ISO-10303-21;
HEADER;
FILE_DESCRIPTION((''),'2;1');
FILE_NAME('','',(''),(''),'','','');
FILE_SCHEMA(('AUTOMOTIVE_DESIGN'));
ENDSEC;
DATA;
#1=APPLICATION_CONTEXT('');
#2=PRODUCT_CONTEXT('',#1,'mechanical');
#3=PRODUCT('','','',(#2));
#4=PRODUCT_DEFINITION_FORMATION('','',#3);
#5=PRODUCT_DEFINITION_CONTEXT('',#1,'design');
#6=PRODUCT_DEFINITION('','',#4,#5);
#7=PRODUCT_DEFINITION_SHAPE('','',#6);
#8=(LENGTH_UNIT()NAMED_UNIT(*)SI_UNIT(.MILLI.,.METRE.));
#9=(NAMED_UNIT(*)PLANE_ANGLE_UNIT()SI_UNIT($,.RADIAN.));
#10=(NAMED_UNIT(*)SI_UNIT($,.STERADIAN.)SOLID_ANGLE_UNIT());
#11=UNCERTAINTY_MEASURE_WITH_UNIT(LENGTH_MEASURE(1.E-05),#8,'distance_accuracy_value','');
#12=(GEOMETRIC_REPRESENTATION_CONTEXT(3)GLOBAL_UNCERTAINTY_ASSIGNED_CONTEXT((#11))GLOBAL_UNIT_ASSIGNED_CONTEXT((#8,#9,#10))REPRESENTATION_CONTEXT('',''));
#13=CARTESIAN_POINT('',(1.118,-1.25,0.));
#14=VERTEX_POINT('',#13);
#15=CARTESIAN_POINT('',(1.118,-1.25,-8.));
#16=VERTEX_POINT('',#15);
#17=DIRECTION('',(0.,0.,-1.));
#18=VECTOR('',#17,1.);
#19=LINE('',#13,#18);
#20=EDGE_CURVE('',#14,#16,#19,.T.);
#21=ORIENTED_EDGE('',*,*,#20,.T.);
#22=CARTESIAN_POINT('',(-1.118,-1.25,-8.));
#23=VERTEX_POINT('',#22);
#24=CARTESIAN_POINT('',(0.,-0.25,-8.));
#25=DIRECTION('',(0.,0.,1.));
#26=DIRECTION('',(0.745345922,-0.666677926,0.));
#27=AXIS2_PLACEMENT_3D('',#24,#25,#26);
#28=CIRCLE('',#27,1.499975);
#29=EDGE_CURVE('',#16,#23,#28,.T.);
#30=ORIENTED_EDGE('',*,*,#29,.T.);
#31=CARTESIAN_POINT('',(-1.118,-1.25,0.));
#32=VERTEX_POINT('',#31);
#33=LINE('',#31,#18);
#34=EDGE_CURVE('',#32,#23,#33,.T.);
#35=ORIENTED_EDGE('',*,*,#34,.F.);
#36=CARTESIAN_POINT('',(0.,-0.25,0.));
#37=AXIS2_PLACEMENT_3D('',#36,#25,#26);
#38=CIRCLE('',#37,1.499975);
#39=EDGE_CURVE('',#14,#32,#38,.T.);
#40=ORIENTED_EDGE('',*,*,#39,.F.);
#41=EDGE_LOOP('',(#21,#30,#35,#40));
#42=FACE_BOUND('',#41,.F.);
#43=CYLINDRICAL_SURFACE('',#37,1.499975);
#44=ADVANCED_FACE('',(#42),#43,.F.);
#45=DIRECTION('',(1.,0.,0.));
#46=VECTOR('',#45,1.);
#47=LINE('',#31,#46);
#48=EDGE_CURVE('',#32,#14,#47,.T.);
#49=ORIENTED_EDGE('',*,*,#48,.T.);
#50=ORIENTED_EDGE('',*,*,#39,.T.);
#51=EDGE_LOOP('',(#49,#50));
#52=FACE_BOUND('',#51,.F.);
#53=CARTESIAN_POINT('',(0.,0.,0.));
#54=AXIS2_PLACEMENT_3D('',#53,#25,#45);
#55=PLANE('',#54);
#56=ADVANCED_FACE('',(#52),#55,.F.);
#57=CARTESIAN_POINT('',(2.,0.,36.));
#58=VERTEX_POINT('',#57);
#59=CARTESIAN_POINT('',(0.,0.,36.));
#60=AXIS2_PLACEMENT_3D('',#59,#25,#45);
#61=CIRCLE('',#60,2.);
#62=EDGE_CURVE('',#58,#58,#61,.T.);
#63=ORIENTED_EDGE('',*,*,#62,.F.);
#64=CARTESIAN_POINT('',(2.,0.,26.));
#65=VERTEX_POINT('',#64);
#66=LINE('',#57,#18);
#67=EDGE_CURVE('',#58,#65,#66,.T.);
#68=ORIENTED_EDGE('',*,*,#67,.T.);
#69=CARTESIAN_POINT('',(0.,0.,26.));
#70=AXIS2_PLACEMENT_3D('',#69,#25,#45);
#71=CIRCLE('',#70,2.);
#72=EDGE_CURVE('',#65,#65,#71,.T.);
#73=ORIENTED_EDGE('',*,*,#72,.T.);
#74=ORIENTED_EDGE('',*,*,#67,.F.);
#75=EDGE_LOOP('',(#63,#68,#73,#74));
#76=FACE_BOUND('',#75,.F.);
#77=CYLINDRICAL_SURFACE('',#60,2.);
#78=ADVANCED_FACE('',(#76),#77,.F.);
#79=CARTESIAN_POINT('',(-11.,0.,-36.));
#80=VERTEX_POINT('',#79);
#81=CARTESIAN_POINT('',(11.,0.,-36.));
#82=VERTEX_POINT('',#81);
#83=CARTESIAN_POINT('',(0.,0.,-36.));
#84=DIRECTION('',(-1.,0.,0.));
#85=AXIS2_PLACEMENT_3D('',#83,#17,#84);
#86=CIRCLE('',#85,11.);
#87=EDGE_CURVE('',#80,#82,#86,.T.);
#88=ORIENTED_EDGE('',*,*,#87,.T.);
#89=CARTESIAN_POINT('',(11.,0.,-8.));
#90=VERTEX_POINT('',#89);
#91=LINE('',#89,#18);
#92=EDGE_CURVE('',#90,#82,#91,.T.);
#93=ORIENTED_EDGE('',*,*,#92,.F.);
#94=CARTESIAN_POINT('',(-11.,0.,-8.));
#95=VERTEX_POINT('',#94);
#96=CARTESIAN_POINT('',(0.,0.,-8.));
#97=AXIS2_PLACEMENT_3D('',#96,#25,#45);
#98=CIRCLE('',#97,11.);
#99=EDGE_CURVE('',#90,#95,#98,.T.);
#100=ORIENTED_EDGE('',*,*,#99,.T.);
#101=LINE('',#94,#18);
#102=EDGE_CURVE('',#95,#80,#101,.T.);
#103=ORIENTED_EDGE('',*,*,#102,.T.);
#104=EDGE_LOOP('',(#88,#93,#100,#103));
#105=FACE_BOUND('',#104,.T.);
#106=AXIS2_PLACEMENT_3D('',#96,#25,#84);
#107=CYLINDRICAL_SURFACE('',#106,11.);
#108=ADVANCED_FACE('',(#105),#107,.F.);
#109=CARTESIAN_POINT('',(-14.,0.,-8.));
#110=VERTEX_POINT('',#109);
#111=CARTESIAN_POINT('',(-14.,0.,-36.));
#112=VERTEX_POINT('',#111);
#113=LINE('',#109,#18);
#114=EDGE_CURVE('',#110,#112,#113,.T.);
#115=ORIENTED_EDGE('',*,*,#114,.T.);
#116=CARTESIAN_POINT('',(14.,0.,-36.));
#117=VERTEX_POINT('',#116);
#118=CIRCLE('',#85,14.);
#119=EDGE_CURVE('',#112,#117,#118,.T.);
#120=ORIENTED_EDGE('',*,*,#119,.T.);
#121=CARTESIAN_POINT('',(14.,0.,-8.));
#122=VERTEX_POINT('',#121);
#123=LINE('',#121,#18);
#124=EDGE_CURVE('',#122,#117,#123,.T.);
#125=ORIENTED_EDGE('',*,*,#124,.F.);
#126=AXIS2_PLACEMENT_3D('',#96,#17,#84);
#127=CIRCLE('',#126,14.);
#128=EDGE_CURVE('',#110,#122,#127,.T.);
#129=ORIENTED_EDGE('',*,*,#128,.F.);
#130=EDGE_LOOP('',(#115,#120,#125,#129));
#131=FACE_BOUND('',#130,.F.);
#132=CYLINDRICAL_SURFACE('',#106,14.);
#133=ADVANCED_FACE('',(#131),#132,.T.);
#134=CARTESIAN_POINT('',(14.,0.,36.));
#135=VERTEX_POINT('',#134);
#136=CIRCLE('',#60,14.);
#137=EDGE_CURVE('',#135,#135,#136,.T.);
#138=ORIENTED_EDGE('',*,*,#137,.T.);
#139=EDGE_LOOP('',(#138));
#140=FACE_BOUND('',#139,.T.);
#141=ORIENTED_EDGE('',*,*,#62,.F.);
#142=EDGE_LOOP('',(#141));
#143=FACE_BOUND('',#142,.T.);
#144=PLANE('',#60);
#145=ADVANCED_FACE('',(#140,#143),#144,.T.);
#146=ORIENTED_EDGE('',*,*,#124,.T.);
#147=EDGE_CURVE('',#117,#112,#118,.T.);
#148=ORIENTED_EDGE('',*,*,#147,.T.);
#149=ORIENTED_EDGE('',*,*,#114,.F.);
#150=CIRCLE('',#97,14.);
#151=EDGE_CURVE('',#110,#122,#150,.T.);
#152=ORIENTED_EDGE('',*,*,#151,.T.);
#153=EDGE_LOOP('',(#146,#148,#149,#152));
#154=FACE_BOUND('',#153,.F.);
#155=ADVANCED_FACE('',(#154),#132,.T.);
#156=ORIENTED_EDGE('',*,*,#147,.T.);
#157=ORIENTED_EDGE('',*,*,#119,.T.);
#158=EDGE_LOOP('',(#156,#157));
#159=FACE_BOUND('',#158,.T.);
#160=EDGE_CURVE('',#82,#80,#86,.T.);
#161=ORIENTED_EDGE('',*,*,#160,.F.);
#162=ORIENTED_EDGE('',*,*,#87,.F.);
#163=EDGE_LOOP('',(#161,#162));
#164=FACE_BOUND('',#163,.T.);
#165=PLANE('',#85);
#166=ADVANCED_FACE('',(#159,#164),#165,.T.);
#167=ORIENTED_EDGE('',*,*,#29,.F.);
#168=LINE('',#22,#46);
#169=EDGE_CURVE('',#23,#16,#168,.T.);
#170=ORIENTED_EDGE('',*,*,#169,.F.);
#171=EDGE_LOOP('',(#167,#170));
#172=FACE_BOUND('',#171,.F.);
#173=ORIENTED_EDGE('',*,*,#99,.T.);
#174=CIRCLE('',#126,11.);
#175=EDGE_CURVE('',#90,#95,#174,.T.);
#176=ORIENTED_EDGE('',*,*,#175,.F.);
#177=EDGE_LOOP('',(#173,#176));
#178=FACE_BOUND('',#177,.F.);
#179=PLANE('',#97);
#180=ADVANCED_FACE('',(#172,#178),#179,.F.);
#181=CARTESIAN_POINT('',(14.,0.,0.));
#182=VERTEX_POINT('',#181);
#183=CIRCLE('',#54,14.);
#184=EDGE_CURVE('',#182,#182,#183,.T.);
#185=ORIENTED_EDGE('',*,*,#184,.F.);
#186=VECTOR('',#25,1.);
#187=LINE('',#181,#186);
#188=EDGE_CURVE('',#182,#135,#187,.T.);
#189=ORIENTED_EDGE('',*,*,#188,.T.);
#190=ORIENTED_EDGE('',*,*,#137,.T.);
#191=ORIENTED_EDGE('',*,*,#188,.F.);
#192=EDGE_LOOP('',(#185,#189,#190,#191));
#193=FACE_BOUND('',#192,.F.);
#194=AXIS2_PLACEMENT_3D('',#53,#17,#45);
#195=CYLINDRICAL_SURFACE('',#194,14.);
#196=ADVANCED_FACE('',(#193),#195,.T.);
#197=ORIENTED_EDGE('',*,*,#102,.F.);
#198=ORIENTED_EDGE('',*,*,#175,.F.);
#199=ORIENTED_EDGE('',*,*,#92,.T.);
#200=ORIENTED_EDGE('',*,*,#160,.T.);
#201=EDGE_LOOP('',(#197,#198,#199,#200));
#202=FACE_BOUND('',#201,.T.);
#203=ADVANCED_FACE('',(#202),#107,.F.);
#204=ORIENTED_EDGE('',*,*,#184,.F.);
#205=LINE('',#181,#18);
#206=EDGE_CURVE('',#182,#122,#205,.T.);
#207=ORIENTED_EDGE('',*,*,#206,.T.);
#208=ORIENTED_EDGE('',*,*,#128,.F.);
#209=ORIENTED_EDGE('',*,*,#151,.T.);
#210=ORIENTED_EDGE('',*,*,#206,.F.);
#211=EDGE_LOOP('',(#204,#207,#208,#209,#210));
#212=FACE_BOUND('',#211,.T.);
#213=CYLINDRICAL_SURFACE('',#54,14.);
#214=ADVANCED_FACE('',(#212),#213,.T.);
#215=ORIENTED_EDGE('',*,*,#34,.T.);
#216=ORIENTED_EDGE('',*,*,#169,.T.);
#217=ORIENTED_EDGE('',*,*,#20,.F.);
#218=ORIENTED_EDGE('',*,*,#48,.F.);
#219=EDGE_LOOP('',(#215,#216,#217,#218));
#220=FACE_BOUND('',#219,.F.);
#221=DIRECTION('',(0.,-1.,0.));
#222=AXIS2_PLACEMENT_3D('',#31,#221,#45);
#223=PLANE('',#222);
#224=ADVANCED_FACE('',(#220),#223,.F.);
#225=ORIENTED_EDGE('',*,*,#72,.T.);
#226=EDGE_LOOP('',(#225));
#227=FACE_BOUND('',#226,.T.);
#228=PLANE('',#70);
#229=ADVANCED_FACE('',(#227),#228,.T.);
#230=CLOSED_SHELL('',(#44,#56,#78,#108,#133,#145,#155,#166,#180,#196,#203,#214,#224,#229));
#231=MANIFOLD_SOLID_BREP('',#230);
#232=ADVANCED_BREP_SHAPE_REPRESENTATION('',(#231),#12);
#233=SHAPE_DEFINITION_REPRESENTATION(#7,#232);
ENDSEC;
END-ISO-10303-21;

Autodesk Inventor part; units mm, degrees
ref_plane "YZ Plane" through (0, 0, 0) normal (1, 0, 0) x (0, 1, 0)
ref_plane "XZ Plane" through (0, 0, 0) normal (0, 1, 0) x (-1, 0, 0)
ref_plane "XY Plane" through (0, 0, 0) normal (0, 0, 1) x (1, 0, 0)
sketch "Sketch1" plane through (0, 0, 0) normal (0, 0, 1) x (1, 0, 0)
  line L0 (-1.118, -1.25) -> (1.118, -1.25) projected
  arc A0 (1.118, -1.25) -> (-1.118, -1.25) centre (0, -0.25) ccw projected
  circle A1 centre (-0.0155, -0.3768) radius 13 projected
  line L1 (7.9845, 2.6232) -> (7.9845, -0.3768) projected
  arc A2 (3.9845, -7.3768) -> (7.9845, -3.3768) centre (3.9845, -3.3768) ccw projected
  line L2 (3.9845, -7.3768) -> (-4.0155, -7.3768) projected
  arc A3 (-8.0155, -3.3768) -> (-4.0155, -7.3768) centre (-4.0155, -3.3768) ccw projected
  line L3 (-8.0155, -3.3768) -> (-8.0155, 2.6232) projected
  arc A4 (-6.0155, 6.0873) -> (-8.0155, 2.6232) centre (-4.0155, 2.6232) ccw projected
  line L4 (-6.0155, 6.0873) -> (-6.0155, -0.3768) projected
  arc A5 (-6.0155, -0.3768) -> (-3.3321, -5.3768) centre (-0.0155, -0.3768) ccw projected
  line L5 (-3.3321, -5.3768) -> (3.3011, -5.3768) projected
  arc A6 (3.3011, -5.3768) -> (5.9845, -0.3768) centre (-0.0155, -0.3768) ccw projected
  line L6 (5.9845, -0.3768) -> (5.9845, 6.0873) projected
  arc A7 (7.9845, 2.6232) -> (5.9845, 6.0873) centre (3.9845, 2.6232) ccw projected
  circle A8 centre (0, 0) radius 11
  line L7 (0, 11) -> (0, 14)
  circle A9 centre (0, 0) radius 14
  circle A10 centre (9.4845, -0.3768) radius 1.5 projected
  line L8 (7.9845, -0.3768) -> (7.9845, -3.3768) projected
  dimension "d0" = 22
  dimension "d1" = 3
extrude "Extrusion1" add sketch "Sketch1" against normal blind 8 contours A8 | A1 | A9 | A10 | L1 L8 A2 L2 A3 L3 A4 L4 A5 L5 A6 L6 A7
sketch "Sketch2" plane through (0, 0, -8) normal (0, 0, -1) x (-1, 0, 0)
  circle A0 centre (0, 0) radius 14 projected
  arc A1 (1.118, -1.25) -> (-1.118, -1.25) centre (0, -0.25) ccw projected
  line L0 (1.118, -1.25) -> (-1.118, -1.25) projected
  circle A2 centre (0, 0) radius 14 projected
  line L1 (-14, 0) -> (-11, 0)
  circle A3 centre (0, 0) radius 11
  dimension "d4" = 3
extrude "Extrusion2" add sketch "Sketch2" along normal blind 28 contours A0
sketch "Sketch3" plane through (0, 0, 0) normal (0, 0, 1) x (1, 0, 0)
  circle A0 centre (0, 0) radius 14 projected
extrude "Extrusion3" add sketch "Sketch3" along normal blind 36
sketch "Sketch4" plane through (0, 0, 36) normal (0, 0, 1) x (1, 0, 0)
  circle A0 centre (0, 0) radius 2 projected
  point P0 (0, 0)
extrude "Extrusion4" cut sketch "Sketch4" against normal blind 10
properties material "Silicon Nitride"
